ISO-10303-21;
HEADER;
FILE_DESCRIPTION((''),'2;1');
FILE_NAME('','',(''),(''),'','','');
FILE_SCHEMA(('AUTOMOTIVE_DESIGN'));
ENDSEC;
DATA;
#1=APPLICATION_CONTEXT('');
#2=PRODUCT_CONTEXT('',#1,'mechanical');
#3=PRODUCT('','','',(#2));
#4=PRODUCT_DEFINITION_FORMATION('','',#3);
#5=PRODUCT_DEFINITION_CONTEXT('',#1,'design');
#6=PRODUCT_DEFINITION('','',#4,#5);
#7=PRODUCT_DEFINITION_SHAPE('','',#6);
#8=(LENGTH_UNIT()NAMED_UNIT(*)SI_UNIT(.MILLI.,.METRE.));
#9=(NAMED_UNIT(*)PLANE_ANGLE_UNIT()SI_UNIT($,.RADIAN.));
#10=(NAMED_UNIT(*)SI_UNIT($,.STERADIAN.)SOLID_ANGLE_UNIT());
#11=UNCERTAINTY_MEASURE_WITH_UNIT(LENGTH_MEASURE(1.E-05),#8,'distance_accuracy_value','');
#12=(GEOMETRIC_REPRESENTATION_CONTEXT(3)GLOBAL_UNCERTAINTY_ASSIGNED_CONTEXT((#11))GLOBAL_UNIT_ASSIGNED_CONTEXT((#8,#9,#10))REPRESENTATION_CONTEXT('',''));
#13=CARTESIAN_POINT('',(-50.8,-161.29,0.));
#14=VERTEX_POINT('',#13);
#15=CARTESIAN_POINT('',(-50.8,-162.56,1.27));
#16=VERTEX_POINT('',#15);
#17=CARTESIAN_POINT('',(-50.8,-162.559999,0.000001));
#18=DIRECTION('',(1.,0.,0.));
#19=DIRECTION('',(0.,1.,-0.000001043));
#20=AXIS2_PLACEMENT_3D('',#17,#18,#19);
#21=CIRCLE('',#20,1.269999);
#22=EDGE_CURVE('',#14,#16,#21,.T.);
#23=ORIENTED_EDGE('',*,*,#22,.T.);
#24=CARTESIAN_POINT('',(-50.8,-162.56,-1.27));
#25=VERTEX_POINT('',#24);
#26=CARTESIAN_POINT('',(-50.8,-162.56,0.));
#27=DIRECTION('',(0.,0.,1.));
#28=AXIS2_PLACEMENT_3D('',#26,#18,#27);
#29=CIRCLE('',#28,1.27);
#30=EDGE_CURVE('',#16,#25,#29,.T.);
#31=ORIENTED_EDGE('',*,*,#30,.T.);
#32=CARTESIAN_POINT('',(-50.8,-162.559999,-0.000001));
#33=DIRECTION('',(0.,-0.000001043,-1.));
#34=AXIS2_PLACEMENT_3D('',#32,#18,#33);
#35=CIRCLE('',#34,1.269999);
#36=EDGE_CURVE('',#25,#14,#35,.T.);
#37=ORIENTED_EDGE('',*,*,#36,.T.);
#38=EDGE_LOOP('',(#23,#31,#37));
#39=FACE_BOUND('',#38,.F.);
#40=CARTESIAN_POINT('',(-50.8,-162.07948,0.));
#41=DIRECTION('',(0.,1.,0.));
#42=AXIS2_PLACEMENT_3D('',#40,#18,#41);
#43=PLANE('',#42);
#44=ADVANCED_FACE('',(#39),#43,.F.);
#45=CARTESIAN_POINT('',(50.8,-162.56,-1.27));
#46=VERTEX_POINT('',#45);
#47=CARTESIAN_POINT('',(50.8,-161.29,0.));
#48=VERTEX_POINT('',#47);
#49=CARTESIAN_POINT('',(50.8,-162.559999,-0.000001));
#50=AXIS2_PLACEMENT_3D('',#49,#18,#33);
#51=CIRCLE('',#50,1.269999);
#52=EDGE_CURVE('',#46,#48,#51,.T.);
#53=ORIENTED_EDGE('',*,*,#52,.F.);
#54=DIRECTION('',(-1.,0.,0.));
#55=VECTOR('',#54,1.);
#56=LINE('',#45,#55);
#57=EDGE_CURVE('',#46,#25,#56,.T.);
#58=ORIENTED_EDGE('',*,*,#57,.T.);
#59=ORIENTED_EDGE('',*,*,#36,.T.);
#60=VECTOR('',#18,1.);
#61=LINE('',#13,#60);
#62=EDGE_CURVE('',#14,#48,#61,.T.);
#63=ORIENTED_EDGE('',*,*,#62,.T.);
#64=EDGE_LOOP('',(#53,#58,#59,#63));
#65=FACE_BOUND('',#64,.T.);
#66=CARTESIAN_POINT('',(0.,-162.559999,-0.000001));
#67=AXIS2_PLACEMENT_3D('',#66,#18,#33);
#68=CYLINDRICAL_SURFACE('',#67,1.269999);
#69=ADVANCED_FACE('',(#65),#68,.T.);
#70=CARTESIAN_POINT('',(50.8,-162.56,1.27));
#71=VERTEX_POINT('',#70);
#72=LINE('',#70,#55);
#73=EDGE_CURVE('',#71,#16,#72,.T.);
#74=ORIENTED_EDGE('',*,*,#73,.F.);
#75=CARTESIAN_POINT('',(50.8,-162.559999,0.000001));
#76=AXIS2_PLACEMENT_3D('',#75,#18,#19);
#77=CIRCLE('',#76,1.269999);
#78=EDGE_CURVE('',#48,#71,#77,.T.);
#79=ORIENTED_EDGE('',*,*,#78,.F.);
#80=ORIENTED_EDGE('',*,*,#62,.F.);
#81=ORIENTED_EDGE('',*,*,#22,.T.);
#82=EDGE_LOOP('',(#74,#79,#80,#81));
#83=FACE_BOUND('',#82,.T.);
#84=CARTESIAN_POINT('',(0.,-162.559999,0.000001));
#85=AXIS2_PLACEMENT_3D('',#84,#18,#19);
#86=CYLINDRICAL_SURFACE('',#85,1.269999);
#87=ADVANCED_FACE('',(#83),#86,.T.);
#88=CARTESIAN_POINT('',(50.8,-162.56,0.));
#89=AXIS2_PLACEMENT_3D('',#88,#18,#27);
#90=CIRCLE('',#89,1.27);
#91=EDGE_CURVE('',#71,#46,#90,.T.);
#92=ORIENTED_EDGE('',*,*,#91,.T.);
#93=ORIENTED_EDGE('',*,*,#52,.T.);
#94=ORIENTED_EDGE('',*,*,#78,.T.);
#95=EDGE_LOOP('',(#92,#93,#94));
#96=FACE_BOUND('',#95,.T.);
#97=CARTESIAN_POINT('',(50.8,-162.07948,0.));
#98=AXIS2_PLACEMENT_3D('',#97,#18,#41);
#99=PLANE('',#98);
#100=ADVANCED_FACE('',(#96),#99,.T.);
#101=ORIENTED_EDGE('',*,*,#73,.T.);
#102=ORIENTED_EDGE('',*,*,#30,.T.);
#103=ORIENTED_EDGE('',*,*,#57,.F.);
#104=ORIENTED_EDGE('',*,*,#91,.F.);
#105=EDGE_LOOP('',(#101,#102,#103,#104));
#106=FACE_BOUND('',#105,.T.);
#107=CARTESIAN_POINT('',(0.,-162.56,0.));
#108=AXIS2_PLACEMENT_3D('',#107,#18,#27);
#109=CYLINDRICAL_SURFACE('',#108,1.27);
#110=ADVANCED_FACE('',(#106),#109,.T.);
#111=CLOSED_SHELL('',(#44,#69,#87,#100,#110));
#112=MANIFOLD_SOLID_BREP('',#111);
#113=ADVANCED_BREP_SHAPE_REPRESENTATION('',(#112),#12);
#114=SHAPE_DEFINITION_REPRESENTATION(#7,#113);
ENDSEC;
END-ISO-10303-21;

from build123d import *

# Parameters (mm, degrees)
F1_DEPTH = 50.8


with BuildPart() as f1:
    # F0 (on Right) → F1 (new body, symmetric)
    with BuildSketch(Plane.YZ):
        with BuildLine():
            ThreePointArc((-162.56, -1.27), (-161.661974, -0.898026), (-161.29, 0))
            ThreePointArc((-161.29, 0), (-161.661974, 0.898026), (-162.56, 1.27))
            Line((-162.56, 1.27), (-162.56, -1.27))
        make_face()
        with BuildLine():
            Line((-162.56, -1.27), (-162.56, 1.27))
            ThreePointArc((-162.56, 1.27), (-163.83, 0), (-162.56, -1.27))
        make_face()
    extrude(amount=F1_DEPTH, both=True)


solid = f1.part
